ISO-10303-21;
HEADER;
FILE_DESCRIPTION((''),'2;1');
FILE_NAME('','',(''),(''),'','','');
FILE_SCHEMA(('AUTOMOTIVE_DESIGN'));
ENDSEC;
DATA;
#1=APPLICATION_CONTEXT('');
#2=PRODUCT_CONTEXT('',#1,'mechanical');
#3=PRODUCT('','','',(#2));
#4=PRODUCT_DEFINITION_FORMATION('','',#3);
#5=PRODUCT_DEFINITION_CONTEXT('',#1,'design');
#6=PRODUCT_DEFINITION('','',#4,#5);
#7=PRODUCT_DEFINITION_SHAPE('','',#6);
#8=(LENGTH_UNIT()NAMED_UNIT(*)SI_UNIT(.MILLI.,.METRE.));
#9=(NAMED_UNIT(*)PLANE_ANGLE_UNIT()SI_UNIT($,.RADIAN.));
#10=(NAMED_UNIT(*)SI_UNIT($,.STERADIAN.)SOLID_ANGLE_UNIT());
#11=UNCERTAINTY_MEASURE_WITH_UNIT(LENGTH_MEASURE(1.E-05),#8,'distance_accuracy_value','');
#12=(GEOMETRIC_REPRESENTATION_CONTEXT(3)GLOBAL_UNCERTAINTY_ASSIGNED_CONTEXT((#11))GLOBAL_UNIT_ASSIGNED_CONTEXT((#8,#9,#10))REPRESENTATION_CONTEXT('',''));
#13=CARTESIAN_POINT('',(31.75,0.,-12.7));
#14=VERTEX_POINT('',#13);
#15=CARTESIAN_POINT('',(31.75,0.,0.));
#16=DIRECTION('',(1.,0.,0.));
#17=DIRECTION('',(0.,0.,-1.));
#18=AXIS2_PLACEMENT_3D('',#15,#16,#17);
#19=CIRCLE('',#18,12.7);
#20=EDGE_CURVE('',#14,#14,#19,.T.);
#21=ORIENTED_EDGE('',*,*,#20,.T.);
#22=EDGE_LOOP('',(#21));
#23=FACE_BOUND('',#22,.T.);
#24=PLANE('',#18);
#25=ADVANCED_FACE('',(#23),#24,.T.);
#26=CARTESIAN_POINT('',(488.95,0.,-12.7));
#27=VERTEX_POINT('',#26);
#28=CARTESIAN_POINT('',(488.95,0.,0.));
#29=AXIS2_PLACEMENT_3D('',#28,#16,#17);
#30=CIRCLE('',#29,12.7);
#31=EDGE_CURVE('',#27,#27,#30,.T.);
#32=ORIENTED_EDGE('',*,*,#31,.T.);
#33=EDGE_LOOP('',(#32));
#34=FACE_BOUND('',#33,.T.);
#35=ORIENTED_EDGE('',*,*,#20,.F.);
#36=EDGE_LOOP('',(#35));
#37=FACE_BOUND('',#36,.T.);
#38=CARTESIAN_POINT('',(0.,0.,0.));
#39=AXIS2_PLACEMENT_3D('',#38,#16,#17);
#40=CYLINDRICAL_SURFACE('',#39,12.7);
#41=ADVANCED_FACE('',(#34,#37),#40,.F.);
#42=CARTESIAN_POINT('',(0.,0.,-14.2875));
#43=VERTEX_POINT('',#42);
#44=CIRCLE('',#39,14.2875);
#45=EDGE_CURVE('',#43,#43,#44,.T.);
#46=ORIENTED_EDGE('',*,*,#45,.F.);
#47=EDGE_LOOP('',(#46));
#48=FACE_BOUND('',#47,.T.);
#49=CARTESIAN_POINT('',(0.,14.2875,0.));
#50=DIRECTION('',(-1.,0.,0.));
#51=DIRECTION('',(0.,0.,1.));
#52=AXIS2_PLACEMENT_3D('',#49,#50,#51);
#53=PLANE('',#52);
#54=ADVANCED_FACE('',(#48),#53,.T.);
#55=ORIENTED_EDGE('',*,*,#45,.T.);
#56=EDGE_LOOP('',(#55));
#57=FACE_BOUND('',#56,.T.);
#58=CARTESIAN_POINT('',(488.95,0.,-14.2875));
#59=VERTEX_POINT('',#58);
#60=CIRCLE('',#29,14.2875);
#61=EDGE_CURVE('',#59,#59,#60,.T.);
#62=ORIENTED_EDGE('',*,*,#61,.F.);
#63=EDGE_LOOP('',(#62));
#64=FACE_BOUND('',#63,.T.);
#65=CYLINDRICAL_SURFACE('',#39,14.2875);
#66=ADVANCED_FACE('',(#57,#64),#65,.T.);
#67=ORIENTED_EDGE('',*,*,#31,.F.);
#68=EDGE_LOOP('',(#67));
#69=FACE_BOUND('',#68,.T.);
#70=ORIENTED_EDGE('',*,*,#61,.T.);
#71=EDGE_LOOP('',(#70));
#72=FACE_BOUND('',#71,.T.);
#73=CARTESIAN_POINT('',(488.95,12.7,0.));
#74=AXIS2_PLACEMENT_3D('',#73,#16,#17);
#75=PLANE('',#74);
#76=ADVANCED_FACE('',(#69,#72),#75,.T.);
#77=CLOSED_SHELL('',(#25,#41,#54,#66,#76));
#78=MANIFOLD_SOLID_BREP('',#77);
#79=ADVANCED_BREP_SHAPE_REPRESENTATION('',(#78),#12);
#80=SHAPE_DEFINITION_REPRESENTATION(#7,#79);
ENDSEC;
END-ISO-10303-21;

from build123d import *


with BuildPart() as part:
    # Sketch1 → Revolve1 (revolve)
    with BuildSketch(Plane.XY, mode=Mode.PRIVATE) as revolve1_sk:
        Polygon((0, 14.2875), (0, 0), (31.75, 0), (31.75, 12.7), (488.95, 12.7), (488.95, 14.2875), align=None)
    revolve(revolve1_sk.sketch.rotate(Axis((0, 0, 0), (1, 0, 0)), 270), axis=Axis((0, 0, 0), (1, 0, 0)))


solid = part.part
